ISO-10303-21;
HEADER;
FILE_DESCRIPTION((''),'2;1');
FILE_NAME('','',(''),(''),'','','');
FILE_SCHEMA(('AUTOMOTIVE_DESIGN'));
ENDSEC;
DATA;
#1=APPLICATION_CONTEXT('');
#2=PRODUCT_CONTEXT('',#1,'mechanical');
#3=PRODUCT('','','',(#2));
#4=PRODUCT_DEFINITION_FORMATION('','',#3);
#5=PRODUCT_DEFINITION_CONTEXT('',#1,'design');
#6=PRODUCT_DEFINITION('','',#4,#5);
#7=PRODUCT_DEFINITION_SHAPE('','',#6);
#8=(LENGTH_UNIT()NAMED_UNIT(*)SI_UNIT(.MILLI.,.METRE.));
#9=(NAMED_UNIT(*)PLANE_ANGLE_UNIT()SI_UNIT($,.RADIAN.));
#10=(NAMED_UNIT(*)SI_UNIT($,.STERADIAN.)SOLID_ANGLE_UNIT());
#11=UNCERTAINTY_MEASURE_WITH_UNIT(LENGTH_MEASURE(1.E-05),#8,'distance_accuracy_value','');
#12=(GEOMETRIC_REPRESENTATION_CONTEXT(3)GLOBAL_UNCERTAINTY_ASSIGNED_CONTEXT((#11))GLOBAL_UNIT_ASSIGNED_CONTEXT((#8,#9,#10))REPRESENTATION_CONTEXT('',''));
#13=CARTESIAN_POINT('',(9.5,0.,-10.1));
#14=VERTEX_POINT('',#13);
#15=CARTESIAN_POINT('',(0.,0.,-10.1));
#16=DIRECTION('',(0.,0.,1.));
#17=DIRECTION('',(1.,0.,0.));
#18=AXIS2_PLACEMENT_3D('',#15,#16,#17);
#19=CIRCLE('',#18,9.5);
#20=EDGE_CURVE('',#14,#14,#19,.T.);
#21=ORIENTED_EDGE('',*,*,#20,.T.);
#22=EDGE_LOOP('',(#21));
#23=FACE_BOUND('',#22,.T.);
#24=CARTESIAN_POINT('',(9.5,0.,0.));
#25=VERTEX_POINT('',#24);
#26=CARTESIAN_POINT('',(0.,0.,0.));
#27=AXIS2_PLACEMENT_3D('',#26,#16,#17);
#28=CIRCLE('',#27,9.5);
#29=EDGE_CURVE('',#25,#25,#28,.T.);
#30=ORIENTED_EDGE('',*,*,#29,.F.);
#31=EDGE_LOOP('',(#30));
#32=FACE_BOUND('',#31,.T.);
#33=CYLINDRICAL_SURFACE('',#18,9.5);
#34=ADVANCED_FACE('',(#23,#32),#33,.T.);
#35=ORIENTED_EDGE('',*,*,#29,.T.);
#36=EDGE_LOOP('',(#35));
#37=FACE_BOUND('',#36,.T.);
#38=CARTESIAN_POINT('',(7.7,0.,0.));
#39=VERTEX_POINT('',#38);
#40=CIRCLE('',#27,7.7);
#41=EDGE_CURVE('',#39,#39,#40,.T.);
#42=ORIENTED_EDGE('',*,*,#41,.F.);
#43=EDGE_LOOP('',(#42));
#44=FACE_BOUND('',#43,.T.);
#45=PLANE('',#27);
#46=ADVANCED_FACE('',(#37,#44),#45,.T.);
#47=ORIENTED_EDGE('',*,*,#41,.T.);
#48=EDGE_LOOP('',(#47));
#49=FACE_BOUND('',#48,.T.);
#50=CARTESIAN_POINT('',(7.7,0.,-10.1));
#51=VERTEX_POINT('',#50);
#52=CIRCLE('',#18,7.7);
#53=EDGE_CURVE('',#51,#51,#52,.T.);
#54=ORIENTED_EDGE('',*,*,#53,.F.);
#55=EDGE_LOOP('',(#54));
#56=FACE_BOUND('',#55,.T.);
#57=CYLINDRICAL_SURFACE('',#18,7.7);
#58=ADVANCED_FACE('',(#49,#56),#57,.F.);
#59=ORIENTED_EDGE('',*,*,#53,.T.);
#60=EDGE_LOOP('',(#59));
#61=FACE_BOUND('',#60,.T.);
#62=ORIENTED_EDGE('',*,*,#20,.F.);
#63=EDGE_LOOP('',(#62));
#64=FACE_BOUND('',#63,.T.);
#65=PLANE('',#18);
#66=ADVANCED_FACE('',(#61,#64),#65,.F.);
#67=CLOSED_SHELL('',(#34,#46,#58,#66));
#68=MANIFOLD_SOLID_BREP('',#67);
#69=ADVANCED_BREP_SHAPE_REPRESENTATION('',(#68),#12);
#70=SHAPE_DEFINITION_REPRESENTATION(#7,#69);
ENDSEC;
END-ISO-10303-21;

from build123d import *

# Parameters (mm, degrees)
SKETCH2_R           = 9.5
SKETCH2_R_2         = 7.7
BOSS_EXTRUDE1_DEPTH = 10.1


with BuildPart() as part:
    # Sketch2 → Boss-Extrude1 (new body)
    with BuildSketch(Plane.XY):
        Circle(SKETCH2_R)
        Circle(SKETCH2_R_2, mode=Mode.SUBTRACT)
    extrude(amount=-BOSS_EXTRUDE1_DEPTH)


solid = part.part
